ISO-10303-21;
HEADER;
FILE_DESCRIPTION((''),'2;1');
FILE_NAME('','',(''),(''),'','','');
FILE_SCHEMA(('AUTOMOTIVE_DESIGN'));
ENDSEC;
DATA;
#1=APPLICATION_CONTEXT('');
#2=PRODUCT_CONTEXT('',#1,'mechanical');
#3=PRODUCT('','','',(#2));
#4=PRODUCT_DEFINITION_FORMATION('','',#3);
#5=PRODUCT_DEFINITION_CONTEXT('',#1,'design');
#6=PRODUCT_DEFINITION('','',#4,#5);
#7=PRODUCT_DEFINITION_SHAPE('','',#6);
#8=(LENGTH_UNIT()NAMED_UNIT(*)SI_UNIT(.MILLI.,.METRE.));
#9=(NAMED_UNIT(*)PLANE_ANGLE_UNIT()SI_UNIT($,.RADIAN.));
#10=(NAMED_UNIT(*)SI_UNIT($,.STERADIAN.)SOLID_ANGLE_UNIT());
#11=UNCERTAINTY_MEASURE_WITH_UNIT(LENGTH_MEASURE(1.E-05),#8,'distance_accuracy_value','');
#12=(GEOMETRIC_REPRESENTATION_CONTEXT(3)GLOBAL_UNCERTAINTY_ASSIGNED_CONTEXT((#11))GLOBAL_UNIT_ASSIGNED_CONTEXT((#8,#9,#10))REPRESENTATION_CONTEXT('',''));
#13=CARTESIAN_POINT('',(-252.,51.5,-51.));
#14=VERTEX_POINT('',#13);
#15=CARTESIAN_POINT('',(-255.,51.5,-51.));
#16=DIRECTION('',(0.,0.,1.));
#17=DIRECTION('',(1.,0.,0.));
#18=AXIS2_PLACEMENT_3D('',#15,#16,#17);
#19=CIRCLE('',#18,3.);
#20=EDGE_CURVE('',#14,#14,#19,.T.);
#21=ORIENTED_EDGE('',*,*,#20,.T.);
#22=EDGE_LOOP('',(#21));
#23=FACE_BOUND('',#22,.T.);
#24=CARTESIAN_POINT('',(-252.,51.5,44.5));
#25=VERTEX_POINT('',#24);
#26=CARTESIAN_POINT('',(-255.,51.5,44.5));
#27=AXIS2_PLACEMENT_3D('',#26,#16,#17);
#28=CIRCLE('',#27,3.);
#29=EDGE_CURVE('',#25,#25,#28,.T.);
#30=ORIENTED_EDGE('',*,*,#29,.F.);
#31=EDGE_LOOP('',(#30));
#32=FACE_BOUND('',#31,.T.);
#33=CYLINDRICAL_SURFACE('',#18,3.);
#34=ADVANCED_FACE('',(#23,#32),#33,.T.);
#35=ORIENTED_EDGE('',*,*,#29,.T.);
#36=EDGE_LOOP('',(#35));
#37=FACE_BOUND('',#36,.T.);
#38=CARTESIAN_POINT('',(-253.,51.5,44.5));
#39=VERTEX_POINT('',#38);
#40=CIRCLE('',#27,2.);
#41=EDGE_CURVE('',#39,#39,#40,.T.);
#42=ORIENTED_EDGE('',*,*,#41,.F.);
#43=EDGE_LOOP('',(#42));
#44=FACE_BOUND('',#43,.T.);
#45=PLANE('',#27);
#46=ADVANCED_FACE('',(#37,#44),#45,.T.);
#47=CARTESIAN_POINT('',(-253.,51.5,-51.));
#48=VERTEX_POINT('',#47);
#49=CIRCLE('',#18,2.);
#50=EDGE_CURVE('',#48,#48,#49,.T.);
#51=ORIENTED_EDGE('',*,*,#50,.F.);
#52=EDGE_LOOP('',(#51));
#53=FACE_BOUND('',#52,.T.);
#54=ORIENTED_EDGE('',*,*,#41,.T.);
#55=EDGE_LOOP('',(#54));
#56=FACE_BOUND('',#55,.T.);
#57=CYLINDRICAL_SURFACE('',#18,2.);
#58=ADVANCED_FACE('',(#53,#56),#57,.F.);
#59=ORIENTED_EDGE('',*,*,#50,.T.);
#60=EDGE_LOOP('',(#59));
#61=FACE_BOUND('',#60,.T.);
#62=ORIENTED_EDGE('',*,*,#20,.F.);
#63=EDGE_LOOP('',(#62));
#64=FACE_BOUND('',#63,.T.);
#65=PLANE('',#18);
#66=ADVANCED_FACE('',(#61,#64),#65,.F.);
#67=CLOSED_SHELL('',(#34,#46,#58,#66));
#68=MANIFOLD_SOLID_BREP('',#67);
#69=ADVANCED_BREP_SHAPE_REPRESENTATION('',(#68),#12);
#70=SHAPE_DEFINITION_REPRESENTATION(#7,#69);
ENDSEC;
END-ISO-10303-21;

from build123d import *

# Parameters (mm, degrees)
MAIN_PROFILE_SKETCH_R   = 3
MAIN_PROFILE_SKETCH_R_2 = 2
MAIN_EXTRUSION_DEPTH    = 95.5


with BuildPart() as part:
    # Main Profile Sketch → Main Extrusion (new body)
    with BuildSketch(Plane.XY.offset(44.5)):
        with Locations((-255, 51.5)):
            Circle(MAIN_PROFILE_SKETCH_R)
        with Locations((-255, 51.5)):
            Circle(MAIN_PROFILE_SKETCH_R_2, mode=Mode.SUBTRACT)
    extrude(amount=-MAIN_EXTRUSION_DEPTH)


solid = part.part
